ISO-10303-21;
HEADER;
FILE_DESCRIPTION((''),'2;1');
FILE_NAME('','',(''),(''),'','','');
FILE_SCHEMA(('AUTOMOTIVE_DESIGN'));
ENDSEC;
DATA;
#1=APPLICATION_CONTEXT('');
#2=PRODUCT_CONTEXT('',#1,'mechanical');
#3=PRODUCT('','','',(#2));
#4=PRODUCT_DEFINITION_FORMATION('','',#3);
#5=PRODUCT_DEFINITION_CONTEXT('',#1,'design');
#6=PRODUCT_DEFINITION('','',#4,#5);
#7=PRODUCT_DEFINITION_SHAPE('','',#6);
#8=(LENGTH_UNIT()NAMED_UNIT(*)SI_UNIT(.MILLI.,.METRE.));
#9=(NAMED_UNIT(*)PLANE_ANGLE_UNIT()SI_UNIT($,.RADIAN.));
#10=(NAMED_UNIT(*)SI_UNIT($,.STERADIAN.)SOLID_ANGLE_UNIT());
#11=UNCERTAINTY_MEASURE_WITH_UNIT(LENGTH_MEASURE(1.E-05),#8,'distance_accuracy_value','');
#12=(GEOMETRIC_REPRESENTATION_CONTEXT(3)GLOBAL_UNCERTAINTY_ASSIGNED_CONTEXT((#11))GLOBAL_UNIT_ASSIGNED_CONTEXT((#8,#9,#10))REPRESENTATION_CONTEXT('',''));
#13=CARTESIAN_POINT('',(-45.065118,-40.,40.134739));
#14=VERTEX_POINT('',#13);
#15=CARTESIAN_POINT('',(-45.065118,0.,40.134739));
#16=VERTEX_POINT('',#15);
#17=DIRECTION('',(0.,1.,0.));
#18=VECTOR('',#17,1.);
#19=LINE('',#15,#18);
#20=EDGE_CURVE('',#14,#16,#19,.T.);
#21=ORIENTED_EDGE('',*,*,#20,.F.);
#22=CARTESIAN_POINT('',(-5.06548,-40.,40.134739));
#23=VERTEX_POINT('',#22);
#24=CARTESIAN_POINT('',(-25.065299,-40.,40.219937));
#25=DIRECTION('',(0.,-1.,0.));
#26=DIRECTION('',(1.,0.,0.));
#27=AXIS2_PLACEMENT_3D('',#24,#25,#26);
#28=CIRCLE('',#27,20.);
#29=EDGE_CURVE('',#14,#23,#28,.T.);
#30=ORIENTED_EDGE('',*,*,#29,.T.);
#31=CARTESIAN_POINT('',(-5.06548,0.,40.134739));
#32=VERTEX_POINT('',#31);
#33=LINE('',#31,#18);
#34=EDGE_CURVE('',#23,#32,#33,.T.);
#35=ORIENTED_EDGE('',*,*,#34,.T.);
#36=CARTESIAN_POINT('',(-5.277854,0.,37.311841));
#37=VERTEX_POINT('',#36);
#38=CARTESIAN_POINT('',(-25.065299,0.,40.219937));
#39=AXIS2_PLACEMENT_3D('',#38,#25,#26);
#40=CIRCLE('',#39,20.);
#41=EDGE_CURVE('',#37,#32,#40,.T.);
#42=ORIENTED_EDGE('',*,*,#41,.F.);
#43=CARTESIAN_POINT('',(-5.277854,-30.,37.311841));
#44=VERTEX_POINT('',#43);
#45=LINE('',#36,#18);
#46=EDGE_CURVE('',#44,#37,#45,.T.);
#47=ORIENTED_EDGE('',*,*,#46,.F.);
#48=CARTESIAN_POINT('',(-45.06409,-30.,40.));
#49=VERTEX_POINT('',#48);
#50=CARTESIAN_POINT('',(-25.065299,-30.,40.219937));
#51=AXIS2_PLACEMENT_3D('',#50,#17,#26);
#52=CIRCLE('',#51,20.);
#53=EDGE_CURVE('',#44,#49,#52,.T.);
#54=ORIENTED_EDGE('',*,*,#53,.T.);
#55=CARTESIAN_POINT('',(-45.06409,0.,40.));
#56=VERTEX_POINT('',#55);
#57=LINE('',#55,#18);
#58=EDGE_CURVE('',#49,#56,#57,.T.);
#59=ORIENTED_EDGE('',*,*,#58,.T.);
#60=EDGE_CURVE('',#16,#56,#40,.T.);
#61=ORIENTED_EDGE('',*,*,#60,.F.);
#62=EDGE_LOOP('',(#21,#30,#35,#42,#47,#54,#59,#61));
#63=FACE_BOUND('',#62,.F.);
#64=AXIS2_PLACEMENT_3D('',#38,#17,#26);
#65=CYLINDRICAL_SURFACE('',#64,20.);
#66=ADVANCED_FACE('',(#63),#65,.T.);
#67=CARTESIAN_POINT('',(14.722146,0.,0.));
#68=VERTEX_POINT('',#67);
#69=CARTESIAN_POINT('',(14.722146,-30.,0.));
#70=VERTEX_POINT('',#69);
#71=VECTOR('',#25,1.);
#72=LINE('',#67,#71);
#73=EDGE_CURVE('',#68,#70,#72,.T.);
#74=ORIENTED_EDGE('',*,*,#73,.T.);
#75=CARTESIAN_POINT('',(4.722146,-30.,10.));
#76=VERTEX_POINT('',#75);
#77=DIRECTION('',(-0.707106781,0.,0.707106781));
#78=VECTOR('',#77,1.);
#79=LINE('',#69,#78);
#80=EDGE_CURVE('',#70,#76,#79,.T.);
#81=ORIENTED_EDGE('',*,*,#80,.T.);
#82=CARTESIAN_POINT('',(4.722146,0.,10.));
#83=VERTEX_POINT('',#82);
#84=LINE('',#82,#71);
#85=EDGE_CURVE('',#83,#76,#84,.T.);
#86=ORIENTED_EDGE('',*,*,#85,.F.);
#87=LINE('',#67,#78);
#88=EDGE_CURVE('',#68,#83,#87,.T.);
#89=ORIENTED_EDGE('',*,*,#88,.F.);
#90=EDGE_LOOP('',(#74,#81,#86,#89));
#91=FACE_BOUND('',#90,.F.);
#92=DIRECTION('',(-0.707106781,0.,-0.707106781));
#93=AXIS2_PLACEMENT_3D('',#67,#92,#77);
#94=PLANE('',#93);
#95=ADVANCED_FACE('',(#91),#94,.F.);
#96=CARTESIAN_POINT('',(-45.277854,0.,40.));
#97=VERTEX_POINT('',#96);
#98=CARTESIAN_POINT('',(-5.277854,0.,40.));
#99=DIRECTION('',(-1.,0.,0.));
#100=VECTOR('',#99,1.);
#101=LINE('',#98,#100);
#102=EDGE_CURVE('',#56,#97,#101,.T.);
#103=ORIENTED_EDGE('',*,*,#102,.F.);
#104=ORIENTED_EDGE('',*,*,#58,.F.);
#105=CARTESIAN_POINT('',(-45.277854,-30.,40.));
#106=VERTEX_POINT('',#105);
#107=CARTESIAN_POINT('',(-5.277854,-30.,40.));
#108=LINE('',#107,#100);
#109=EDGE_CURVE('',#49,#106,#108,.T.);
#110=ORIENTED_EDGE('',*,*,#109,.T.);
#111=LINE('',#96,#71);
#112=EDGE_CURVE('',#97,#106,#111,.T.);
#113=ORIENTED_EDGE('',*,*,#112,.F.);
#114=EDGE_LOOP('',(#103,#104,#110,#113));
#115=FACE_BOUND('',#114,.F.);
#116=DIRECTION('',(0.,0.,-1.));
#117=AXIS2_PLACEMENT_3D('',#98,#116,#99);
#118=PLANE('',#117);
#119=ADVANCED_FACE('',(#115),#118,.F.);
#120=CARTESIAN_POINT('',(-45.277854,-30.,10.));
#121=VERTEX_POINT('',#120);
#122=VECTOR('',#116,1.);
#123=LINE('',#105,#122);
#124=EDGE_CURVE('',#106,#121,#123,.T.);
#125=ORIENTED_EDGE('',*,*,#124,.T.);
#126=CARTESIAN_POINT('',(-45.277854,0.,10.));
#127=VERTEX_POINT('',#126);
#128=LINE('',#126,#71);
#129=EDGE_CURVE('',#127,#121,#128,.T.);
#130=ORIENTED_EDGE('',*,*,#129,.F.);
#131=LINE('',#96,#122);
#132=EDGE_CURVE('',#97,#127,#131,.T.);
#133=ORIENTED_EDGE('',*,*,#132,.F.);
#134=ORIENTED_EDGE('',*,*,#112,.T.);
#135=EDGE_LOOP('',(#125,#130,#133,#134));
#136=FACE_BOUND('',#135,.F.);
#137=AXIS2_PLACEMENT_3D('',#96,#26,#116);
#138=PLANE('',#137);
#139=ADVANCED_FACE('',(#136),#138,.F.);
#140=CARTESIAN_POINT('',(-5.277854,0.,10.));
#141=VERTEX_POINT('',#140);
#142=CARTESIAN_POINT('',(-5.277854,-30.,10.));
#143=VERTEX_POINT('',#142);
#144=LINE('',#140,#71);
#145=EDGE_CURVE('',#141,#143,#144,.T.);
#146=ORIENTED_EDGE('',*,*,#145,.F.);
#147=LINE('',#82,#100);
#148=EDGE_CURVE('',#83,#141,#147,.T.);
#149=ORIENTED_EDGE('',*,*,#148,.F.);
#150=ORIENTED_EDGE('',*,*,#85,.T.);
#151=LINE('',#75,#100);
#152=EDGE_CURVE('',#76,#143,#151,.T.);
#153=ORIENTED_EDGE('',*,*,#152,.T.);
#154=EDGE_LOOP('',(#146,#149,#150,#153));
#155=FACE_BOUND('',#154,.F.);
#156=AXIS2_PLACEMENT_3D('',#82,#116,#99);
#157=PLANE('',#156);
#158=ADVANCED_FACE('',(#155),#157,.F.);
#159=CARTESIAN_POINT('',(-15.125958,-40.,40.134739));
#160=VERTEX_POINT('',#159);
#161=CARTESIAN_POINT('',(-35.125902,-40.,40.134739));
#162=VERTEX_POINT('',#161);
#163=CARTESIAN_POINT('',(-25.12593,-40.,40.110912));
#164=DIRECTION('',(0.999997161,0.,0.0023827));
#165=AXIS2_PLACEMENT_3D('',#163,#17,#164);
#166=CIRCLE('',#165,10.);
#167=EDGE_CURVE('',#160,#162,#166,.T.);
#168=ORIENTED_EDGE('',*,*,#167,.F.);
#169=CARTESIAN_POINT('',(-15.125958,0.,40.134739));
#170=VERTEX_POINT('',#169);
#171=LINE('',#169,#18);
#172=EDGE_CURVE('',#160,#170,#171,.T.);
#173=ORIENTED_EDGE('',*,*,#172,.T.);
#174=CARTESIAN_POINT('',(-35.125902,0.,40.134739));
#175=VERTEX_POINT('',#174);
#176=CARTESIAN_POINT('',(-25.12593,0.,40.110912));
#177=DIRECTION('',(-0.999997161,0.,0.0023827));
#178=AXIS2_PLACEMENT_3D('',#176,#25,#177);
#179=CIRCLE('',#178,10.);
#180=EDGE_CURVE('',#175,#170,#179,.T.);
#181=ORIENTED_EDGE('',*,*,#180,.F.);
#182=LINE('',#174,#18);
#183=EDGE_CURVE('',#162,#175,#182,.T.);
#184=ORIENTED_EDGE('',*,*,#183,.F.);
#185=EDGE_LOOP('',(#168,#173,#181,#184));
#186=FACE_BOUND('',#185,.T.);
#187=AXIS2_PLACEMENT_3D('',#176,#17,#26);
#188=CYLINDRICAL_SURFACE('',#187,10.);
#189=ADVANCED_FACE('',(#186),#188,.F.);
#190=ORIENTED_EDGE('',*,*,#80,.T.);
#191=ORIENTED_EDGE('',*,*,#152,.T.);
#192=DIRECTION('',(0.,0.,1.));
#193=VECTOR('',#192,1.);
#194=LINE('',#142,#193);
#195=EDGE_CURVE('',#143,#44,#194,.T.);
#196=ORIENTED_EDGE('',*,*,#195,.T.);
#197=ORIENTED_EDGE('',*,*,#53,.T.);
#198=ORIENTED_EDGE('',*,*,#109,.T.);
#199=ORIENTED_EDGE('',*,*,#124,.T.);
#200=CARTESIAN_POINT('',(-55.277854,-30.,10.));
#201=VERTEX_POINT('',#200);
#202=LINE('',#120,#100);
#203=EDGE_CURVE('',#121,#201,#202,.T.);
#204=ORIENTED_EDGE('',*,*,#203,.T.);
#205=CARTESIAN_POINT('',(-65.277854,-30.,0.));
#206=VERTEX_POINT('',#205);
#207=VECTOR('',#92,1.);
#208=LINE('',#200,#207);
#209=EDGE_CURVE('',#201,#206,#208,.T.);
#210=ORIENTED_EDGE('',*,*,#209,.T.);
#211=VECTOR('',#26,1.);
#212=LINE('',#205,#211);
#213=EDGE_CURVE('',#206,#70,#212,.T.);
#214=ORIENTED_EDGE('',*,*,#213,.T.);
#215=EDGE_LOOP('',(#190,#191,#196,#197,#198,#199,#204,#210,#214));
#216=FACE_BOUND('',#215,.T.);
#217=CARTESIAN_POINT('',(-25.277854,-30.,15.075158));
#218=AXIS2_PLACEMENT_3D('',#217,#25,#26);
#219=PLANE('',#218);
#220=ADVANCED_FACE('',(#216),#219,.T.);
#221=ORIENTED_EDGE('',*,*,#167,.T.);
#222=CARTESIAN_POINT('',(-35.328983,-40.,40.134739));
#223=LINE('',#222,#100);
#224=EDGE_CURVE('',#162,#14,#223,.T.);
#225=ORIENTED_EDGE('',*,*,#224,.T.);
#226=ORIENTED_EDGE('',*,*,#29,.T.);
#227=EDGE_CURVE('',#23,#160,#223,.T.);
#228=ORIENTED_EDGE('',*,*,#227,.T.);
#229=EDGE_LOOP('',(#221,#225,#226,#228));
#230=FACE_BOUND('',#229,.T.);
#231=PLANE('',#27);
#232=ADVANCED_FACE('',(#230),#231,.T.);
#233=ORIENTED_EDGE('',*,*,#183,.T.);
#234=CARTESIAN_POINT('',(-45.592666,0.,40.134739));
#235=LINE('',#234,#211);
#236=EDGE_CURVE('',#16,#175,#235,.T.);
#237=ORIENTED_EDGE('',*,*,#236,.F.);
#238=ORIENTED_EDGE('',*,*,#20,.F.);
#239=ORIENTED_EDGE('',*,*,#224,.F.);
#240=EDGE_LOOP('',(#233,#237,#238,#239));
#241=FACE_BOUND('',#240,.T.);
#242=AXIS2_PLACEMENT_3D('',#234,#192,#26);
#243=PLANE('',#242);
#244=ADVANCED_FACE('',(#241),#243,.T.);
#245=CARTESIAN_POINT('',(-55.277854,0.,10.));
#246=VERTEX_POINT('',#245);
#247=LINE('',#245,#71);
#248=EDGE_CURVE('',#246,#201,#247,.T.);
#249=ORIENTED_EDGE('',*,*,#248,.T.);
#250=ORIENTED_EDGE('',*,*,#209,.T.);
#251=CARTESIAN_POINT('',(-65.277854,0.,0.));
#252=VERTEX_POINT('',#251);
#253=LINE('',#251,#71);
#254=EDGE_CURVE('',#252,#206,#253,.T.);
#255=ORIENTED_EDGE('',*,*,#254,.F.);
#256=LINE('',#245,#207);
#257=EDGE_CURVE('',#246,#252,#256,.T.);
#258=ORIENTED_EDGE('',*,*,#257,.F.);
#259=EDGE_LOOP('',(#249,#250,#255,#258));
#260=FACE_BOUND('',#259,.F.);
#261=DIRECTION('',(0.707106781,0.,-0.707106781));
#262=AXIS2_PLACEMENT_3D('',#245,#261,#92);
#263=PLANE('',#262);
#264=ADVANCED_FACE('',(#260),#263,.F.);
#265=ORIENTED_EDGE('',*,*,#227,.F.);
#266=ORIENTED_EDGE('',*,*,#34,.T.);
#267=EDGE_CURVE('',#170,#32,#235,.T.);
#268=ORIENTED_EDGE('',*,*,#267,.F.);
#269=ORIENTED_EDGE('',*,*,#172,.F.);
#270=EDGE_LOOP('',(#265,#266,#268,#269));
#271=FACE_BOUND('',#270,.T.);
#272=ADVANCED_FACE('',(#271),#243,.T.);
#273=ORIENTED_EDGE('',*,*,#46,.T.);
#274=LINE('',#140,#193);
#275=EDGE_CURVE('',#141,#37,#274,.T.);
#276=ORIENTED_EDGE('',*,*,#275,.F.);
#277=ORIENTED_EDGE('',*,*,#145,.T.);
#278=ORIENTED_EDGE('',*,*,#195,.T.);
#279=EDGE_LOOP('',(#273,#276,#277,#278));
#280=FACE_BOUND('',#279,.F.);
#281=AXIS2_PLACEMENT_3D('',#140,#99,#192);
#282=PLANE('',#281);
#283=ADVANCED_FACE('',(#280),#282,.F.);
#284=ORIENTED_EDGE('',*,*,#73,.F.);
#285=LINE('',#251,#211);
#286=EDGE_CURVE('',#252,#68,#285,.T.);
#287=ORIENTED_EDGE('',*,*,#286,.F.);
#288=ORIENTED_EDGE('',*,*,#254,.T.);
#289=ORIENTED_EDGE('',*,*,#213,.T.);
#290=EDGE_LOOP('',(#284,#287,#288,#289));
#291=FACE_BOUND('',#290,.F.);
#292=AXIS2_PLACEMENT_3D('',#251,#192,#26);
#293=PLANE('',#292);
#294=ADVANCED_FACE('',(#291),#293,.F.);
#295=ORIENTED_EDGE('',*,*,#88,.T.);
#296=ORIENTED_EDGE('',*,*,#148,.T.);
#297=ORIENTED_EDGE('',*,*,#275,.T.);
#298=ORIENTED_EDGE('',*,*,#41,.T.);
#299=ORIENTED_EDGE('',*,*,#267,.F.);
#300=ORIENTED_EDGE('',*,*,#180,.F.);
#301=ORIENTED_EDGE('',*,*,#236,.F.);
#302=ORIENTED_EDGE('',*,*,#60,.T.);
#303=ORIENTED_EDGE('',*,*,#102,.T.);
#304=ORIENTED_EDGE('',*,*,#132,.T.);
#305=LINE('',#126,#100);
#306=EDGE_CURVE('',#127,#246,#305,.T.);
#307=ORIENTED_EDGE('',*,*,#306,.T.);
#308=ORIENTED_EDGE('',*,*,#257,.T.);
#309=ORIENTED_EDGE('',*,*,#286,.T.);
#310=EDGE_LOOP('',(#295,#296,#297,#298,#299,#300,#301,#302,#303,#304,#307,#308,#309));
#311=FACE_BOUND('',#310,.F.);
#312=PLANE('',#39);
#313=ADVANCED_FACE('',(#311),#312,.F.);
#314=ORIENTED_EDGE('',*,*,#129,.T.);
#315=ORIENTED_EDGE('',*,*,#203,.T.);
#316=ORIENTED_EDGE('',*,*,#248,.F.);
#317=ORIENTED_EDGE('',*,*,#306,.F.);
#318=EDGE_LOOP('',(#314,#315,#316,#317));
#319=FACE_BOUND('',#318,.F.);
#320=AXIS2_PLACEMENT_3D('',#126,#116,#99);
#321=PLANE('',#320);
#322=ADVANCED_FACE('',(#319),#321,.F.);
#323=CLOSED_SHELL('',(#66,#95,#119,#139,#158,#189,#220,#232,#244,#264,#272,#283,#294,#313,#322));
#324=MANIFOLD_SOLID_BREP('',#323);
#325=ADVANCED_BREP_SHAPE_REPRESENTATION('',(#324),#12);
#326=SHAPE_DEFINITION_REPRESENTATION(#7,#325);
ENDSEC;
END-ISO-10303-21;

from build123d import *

# Parameters (mm, degrees)
F1_DEPTH = 30
F3_DEPTH = 40
F5_DEPTH = 50.6
F7_DEPTH = 72.9


with BuildPart() as f1:
    # F0 (on Front) → F1 (new body)
    with BuildSketch(Plane.XZ):
        Polygon((-55.277854, 10), (-65.277854, 0), (14.722146, 0), (4.722146, 10), (-5.277854, 10), (-5.277854, 40), (-45.277854, 40), (-45.277854, 10), align=None)
    extrude(amount=F1_DEPTH)

    # F2 (on Front) → F3 (join)
    with BuildSketch(Plane.XZ):
        with BuildLine():
            ThreePointArc((-45.065299, 40.219937), (-25.065299, 20.219937), (-5.065299, 40.219937))
            ThreePointArc((-5.065299, 40.219937), (-25.065299, 60.219937), (-45.065299, 40.219937))
        make_face()
    extrude(amount=F3_DEPTH)

    # F4 (on Front) → F5 (cut)
    with BuildSketch(Plane.XZ):
        with BuildLine():
            ThreePointArc((-35.12593, 40.110912), (-25.12593, 30.110912), (-15.12593, 40.110912))
            ThreePointArc((-15.12593, 40.110912), (-25.12593, 50.110912), (-35.12593, 40.110912))
        make_face()
    extrude(amount=F5_DEPTH, mode=Mode.SUBTRACT)

    # F6 (on Front) → F7 (cut)
    with BuildSketch(Plane.XZ):
        Polygon((-45.997363, 66.289328), (-45.592666, 40.134739), (-1.902011, 40.134739), (-3.919857, 66.289328), align=None)
    extrude(amount=F7_DEPTH, mode=Mode.SUBTRACT)


solid = f1.part
